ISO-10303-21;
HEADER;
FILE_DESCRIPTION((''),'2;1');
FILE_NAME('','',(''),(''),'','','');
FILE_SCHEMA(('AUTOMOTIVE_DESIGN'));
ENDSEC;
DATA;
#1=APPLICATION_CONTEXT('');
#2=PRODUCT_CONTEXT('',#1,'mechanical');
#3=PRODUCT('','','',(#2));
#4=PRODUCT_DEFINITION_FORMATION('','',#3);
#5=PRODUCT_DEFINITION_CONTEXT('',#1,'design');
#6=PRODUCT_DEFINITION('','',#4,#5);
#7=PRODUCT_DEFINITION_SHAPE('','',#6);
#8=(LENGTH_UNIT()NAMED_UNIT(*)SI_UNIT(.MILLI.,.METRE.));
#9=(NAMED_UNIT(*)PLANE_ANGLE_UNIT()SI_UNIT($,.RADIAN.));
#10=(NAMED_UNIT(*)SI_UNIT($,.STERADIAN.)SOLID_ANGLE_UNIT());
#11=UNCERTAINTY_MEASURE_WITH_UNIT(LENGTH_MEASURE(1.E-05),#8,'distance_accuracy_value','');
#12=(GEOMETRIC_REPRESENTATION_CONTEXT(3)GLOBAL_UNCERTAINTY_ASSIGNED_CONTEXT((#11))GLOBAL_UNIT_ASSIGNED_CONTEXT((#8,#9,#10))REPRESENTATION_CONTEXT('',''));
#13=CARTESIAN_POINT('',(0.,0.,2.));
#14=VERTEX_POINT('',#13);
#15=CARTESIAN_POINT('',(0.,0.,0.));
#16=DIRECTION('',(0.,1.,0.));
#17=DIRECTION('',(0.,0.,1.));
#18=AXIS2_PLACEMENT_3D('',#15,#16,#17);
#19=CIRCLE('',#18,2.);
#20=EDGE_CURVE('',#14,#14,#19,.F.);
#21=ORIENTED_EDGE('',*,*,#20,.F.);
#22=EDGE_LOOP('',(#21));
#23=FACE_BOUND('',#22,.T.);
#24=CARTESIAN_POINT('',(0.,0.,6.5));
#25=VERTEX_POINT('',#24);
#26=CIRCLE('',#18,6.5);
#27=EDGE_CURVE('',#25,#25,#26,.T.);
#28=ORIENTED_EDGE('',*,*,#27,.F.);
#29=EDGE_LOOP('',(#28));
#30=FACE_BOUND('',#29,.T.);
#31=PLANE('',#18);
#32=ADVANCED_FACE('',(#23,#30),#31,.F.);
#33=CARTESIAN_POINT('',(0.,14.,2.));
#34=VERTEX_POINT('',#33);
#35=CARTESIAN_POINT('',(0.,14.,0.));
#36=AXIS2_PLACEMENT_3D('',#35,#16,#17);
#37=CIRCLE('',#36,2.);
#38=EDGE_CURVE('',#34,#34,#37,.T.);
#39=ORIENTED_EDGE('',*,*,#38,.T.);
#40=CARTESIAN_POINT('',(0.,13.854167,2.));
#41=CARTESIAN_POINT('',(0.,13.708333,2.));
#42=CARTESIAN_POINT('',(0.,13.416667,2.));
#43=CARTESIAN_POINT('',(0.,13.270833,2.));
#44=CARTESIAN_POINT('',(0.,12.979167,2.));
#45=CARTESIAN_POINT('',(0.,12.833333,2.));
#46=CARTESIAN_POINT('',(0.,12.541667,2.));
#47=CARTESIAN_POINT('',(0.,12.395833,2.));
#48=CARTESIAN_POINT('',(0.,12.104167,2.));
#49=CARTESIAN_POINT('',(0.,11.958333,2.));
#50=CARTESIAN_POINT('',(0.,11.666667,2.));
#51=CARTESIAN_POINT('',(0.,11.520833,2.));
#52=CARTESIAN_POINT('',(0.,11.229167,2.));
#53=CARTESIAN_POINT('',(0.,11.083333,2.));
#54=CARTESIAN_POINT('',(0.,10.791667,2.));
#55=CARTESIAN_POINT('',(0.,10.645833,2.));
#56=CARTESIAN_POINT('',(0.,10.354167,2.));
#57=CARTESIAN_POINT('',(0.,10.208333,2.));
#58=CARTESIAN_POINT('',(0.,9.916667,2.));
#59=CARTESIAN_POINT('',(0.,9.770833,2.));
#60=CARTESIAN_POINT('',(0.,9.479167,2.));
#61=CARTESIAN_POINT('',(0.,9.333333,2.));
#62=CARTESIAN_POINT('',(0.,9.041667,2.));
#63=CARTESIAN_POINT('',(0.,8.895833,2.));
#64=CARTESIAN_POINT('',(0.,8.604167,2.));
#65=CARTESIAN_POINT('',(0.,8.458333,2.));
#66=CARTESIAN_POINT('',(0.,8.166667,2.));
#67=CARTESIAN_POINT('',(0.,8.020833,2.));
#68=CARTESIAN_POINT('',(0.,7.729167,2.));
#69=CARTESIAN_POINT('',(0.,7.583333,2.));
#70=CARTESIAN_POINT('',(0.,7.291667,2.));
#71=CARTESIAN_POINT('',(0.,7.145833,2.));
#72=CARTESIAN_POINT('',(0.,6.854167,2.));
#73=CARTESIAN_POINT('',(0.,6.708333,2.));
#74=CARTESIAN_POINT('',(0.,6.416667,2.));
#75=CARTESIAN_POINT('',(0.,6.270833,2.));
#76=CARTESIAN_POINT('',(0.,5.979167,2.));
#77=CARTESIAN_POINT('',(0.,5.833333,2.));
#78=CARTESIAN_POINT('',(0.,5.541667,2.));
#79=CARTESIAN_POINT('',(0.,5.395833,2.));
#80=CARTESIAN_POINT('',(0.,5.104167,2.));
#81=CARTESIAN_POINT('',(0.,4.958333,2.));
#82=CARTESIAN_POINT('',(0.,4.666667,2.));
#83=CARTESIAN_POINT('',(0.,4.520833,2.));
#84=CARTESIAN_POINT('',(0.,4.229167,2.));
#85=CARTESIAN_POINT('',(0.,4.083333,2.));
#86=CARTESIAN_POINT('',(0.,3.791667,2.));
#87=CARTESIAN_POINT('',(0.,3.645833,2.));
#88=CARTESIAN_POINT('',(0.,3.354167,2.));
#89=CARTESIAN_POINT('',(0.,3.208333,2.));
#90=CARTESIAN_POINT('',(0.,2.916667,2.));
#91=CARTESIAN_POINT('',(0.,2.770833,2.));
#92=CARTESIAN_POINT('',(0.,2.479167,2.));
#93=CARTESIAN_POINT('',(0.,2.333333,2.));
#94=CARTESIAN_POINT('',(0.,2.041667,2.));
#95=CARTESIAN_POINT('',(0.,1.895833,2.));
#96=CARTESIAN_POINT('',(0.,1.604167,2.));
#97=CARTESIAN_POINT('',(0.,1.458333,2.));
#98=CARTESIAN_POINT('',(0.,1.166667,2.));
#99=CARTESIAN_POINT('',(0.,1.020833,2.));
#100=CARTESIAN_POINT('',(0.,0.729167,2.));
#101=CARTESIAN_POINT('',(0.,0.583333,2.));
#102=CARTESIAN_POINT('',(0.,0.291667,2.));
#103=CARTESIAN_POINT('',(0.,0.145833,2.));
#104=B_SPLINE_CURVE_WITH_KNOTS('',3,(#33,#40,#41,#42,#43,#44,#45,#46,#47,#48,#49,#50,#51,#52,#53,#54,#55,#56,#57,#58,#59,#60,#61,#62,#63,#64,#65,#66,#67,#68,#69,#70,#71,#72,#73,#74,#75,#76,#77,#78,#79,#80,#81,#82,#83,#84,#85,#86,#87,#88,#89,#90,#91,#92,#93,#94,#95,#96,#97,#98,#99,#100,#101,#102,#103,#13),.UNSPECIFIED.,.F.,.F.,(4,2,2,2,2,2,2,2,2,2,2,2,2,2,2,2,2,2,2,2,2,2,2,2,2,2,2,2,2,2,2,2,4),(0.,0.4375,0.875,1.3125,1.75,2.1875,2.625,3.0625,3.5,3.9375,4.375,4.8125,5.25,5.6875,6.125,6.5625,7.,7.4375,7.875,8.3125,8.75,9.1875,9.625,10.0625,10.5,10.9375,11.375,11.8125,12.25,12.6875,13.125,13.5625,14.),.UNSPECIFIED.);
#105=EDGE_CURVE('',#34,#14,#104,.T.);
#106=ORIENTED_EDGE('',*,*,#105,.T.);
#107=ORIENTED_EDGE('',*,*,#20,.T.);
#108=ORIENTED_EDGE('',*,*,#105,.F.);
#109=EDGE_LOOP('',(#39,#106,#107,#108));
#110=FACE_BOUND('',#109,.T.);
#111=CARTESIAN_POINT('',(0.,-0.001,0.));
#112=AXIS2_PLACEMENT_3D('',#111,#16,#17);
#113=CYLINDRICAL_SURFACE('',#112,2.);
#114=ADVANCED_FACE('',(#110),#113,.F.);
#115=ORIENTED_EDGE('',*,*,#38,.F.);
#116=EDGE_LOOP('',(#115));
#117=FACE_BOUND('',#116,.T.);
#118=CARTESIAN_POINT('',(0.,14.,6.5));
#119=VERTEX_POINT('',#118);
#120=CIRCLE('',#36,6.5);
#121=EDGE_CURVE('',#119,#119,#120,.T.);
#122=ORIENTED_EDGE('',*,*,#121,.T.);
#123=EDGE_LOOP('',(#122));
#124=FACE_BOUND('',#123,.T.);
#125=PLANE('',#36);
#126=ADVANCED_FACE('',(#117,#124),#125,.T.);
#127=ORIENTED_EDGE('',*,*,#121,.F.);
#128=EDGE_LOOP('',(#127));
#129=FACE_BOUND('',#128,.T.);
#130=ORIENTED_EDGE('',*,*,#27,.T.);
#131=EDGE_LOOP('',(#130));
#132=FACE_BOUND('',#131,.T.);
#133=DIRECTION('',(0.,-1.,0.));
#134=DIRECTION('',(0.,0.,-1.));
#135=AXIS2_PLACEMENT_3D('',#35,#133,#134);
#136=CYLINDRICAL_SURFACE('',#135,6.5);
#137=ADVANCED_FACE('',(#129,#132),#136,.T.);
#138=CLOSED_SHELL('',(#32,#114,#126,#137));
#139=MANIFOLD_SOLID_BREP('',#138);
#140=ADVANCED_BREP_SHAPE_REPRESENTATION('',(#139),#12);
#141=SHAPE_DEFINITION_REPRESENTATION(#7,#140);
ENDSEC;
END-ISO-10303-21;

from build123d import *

# Parameters (mm, degrees)
CROQUIS1_R              = 6.5
SALIENTE_EXTRUIR1_DEPTH = 14
CORTAR_EXTRUIR1_REACH   = 18.748
CROQUIS2_R              = 2


with BuildPart() as part:
    # Croquis1 → Saliente-Extruir1 (new body)
    with BuildSketch(Plane(origin=(0, 0, 0), x_dir=(1, 0, 0), z_dir=(0, 1, 0))):
        with Locations(Location((0, 0, 0), (0, 0, 270))):
            Circle(CROQUIS1_R)
    extrude(amount=SALIENTE_EXTRUIR1_DEPTH)

    # Croquis2 → Cortar-Extruir1 (cut, up to next)
    with BuildSketch(Plane(origin=(0, 14, 0), x_dir=(1, 0, 0), z_dir=(0, 1, 0)), mode=Mode.PRIVATE) as cortar_extruir1_sk1:
        with Locations(Location((0, 0, 0), (0, 0, 270))):
            Circle(CROQUIS2_R)
    cortar_extruir1_tool1 = extrude(cortar_extruir1_sk1.sketch, amount=-CORTAR_EXTRUIR1_REACH, mode=Mode.PRIVATE) & part.part
    add(cortar_extruir1_tool1.solids().sort_by_distance((0, 14, 0))[0], mode=Mode.SUBTRACT)


solid = part.part
